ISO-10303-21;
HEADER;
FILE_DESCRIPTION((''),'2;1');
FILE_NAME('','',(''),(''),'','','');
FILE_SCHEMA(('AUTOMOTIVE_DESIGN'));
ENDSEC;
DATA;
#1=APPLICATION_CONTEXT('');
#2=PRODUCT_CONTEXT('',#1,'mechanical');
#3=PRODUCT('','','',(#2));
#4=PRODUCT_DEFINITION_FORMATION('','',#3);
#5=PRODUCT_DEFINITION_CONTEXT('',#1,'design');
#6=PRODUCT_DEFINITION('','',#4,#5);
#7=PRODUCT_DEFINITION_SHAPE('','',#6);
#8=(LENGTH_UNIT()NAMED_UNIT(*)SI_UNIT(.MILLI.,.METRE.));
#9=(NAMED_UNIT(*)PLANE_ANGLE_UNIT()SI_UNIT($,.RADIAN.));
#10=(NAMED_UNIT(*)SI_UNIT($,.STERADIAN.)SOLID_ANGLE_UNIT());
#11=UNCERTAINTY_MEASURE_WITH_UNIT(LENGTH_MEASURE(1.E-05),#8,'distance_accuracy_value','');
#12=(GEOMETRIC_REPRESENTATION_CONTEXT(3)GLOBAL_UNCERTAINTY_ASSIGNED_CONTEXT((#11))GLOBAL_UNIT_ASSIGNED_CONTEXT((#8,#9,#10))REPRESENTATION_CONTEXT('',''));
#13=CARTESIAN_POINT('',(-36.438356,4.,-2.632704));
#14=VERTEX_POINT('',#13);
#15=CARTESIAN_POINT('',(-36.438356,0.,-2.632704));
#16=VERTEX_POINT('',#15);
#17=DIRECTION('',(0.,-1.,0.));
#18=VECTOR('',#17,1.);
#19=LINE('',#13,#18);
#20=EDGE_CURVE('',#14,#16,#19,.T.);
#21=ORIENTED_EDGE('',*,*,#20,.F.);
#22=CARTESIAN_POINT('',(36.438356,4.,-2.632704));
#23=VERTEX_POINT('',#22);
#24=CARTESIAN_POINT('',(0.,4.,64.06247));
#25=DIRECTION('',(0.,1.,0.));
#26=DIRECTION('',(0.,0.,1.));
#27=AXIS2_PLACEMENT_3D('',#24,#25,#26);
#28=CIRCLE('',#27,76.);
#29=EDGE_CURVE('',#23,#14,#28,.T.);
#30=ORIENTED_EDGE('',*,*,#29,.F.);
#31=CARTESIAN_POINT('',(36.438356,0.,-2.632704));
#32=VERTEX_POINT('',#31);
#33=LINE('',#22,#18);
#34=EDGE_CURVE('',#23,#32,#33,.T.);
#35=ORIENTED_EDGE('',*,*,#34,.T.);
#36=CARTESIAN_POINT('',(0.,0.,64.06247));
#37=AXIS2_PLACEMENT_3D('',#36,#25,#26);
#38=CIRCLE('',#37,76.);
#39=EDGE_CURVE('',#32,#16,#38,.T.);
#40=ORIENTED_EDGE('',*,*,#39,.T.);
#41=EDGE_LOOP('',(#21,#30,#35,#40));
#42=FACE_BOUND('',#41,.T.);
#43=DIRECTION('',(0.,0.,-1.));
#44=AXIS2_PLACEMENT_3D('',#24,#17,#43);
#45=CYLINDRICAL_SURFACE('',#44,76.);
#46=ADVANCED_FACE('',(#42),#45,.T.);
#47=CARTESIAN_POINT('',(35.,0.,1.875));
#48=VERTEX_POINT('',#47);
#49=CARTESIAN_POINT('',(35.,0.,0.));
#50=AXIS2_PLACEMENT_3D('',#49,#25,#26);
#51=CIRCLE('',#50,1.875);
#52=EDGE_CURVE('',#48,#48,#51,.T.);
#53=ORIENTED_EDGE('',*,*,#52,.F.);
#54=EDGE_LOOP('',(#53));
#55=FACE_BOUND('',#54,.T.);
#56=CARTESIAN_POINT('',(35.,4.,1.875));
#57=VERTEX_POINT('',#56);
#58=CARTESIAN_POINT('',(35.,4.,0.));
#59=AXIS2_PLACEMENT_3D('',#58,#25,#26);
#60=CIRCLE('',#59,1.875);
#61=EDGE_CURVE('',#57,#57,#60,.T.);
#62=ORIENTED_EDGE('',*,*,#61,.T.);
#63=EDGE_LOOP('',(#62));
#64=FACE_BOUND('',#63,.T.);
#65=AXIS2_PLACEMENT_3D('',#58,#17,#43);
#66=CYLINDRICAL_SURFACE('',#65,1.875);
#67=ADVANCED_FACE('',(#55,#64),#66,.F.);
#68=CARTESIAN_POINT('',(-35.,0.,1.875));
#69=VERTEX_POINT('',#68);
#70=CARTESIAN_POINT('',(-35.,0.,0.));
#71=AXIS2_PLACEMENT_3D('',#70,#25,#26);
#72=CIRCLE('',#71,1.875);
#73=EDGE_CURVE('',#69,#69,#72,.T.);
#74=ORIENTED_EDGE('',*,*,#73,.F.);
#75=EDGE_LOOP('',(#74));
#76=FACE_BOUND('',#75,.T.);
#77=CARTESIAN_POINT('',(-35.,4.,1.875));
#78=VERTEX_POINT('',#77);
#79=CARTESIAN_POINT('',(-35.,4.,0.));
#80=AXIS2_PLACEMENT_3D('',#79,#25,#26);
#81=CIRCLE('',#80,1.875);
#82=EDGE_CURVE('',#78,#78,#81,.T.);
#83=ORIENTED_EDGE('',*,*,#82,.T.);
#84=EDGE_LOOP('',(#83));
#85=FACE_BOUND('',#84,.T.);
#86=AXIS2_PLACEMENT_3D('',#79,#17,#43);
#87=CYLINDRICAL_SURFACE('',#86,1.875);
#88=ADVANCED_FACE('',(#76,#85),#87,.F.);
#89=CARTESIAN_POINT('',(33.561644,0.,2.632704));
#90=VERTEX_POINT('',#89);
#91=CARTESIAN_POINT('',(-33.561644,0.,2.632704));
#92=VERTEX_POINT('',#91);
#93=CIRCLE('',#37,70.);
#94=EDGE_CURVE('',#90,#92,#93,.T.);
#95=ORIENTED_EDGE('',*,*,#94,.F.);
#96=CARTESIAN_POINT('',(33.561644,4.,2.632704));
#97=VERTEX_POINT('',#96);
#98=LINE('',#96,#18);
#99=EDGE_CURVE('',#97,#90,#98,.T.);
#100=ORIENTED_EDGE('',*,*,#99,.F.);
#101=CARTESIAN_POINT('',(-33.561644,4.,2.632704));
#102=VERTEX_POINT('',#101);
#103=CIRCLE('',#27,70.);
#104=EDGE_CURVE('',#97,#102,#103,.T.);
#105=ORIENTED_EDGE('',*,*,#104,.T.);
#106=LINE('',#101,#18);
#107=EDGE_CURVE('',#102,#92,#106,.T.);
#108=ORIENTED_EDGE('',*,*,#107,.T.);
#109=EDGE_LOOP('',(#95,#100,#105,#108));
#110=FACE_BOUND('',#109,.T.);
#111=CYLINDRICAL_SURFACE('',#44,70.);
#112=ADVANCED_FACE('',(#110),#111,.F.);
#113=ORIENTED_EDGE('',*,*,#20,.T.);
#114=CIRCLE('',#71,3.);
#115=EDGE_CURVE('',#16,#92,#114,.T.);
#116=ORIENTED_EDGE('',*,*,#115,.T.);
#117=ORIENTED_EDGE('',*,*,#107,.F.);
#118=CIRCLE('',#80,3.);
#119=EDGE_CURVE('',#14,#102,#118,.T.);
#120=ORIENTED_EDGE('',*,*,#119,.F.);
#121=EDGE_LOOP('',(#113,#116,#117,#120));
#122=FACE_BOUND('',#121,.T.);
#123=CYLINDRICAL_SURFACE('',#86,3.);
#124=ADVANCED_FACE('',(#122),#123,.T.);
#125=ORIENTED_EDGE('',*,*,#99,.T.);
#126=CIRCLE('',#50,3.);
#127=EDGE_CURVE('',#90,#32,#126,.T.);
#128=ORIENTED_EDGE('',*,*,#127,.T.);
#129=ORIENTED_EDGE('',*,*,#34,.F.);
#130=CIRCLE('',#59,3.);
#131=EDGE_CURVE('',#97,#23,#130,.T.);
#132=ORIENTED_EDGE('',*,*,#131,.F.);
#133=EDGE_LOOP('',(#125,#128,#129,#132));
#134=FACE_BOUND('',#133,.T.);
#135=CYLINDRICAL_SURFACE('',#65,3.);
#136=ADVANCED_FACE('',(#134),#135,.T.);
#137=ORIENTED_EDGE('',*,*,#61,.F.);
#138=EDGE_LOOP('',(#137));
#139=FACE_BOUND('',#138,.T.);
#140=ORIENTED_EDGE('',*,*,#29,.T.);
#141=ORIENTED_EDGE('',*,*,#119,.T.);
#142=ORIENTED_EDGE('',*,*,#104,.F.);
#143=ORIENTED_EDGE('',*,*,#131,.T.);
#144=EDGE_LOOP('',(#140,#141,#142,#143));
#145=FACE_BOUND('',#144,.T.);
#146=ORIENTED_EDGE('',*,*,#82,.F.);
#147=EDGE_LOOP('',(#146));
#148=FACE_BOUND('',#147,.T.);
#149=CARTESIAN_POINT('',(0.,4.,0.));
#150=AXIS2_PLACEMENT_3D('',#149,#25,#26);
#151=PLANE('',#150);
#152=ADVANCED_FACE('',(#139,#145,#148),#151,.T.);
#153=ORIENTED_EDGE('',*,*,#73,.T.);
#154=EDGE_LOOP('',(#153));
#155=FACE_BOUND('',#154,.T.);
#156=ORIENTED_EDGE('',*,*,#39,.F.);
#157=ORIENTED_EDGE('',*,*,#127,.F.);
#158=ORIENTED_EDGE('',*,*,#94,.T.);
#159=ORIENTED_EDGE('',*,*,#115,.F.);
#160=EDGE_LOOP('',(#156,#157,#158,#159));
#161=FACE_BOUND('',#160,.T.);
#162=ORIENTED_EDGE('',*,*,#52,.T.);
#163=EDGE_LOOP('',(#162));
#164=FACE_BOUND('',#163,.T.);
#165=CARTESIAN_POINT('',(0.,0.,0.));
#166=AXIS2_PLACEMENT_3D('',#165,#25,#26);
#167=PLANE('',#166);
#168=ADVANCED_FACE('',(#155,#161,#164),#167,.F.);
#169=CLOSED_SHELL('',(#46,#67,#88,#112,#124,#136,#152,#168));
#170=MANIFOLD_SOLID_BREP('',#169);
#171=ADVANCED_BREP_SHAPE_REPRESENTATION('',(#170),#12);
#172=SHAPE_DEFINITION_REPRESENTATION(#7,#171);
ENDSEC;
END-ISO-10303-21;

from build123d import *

# Parameters (mm, degrees)
ESQUISSE1_R        = 1.875
BOSS_EXTRU_1_DEPTH = 4


with BuildPart() as part:
    # Esquisse1 → Boss.-Extru.1 (new body)
    with BuildSketch(Plane(origin=(0, 0, 0), x_dir=(1, 0, 0), z_dir=(0, 1, 0))):
        with BuildLine():
            ThreePointArc((-36.438356038, 2.632704296), (-37.632704242, -1.438356135), (-33.561643767, -2.632704189))
            ThreePointArc((-33.561643767, -2.632704189), (6.8e-08, 5.937530488), (33.561643886, -2.632704254))
            ThreePointArc((33.561643886, -2.632704254), (37.632704286, -1.438356055), (36.438355996, 2.632704318))
            ThreePointArc((36.438355996, 2.632704318), (-2.4e-08, 11.937530488), (-36.438356038, 2.632704296))
        make_face()
        with Locations(Location((-35, 0, 0), (0, 0, 270))):
            Circle(ESQUISSE1_R, mode=Mode.SUBTRACT)
        with Locations(Location((35, 0, 0), (0, 0, 270))):
            Circle(ESQUISSE1_R, mode=Mode.SUBTRACT)
    extrude(amount=BOSS_EXTRU_1_DEPTH)


solid = part.part
